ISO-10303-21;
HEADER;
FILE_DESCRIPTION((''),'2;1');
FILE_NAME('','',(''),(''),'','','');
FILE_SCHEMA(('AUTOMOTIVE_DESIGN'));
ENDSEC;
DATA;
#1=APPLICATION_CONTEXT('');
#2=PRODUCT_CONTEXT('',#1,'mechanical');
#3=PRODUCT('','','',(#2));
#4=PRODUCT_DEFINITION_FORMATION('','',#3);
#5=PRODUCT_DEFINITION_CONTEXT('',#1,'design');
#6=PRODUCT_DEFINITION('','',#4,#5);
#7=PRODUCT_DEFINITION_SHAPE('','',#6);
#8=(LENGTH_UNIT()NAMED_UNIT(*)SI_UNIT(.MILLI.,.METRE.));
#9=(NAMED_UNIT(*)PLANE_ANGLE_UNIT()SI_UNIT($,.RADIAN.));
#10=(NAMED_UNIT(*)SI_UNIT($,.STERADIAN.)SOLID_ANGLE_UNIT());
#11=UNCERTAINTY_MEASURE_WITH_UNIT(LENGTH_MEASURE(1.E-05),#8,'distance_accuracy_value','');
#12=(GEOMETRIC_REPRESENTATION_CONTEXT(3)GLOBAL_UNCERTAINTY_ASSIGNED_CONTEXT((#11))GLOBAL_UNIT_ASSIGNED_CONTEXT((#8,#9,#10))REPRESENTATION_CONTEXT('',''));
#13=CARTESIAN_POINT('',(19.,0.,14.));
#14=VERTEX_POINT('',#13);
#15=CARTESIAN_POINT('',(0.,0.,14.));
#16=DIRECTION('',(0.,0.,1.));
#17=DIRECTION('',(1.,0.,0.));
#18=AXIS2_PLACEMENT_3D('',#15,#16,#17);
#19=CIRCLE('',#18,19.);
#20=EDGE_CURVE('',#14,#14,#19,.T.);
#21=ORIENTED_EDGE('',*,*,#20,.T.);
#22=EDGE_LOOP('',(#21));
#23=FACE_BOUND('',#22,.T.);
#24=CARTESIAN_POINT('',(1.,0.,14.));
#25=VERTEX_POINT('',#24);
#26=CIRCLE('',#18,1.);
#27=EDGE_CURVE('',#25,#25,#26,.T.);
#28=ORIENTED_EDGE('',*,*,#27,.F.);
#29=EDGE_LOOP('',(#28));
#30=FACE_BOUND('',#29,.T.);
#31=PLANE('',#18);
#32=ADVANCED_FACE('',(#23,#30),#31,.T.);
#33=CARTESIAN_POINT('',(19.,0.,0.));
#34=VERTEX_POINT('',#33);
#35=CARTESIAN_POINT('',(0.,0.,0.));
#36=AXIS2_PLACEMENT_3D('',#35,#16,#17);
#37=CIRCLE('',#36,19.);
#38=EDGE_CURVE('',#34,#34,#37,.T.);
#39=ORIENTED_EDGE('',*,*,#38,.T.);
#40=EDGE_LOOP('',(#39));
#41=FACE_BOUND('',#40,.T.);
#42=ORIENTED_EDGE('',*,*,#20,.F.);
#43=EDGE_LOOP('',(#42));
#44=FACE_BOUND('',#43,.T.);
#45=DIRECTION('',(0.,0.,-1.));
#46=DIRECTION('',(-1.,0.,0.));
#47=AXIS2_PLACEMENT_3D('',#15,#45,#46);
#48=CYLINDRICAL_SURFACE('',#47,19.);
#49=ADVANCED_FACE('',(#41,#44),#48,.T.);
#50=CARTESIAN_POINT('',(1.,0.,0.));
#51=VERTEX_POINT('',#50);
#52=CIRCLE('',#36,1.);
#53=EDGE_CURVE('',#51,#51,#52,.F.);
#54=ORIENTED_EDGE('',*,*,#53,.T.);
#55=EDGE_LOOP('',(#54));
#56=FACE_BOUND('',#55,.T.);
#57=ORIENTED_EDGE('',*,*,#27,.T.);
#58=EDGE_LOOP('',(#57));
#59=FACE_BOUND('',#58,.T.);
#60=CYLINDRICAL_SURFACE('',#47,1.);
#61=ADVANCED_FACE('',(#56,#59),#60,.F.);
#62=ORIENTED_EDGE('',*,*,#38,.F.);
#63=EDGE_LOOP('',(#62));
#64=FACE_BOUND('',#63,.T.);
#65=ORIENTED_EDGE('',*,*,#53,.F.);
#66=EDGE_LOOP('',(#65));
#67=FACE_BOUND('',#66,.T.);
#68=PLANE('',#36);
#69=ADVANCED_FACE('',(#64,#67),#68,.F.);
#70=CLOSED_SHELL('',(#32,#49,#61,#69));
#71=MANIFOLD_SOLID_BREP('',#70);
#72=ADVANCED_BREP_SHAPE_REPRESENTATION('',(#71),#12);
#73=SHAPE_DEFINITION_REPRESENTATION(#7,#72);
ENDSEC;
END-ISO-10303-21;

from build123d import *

# Parameters (mm, degrees)
SKETCH_2_R               = 19
EXTRUDE_1_DEPTH          = 14
CUT_EXTRUDE_3_DEPTH      = 31.298514815
CUT_EXTRUDE_3_DEPTH_BACK = 31.298514815
SKETCH_3_R               = 1


with BuildPart() as part:
    # ｽｹｯﾁ2 → ﾎﾞｽ - 押し出し1 (new body)
    with BuildSketch(Plane.XY):
        Circle(SKETCH_2_R)
    extrude(amount=EXTRUDE_1_DEPTH)

    # ｽｹｯﾁ3 → ｶｯﾄ - 押し出し3 (cut, two sides: drawn at the far end of the back side and taken through both)
    with BuildSketch(Plane.XY.offset(-CUT_EXTRUDE_3_DEPTH_BACK)):
        Circle(SKETCH_3_R)
    extrude(amount=CUT_EXTRUDE_3_DEPTH + CUT_EXTRUDE_3_DEPTH_BACK, mode=Mode.SUBTRACT)


solid = part.part
